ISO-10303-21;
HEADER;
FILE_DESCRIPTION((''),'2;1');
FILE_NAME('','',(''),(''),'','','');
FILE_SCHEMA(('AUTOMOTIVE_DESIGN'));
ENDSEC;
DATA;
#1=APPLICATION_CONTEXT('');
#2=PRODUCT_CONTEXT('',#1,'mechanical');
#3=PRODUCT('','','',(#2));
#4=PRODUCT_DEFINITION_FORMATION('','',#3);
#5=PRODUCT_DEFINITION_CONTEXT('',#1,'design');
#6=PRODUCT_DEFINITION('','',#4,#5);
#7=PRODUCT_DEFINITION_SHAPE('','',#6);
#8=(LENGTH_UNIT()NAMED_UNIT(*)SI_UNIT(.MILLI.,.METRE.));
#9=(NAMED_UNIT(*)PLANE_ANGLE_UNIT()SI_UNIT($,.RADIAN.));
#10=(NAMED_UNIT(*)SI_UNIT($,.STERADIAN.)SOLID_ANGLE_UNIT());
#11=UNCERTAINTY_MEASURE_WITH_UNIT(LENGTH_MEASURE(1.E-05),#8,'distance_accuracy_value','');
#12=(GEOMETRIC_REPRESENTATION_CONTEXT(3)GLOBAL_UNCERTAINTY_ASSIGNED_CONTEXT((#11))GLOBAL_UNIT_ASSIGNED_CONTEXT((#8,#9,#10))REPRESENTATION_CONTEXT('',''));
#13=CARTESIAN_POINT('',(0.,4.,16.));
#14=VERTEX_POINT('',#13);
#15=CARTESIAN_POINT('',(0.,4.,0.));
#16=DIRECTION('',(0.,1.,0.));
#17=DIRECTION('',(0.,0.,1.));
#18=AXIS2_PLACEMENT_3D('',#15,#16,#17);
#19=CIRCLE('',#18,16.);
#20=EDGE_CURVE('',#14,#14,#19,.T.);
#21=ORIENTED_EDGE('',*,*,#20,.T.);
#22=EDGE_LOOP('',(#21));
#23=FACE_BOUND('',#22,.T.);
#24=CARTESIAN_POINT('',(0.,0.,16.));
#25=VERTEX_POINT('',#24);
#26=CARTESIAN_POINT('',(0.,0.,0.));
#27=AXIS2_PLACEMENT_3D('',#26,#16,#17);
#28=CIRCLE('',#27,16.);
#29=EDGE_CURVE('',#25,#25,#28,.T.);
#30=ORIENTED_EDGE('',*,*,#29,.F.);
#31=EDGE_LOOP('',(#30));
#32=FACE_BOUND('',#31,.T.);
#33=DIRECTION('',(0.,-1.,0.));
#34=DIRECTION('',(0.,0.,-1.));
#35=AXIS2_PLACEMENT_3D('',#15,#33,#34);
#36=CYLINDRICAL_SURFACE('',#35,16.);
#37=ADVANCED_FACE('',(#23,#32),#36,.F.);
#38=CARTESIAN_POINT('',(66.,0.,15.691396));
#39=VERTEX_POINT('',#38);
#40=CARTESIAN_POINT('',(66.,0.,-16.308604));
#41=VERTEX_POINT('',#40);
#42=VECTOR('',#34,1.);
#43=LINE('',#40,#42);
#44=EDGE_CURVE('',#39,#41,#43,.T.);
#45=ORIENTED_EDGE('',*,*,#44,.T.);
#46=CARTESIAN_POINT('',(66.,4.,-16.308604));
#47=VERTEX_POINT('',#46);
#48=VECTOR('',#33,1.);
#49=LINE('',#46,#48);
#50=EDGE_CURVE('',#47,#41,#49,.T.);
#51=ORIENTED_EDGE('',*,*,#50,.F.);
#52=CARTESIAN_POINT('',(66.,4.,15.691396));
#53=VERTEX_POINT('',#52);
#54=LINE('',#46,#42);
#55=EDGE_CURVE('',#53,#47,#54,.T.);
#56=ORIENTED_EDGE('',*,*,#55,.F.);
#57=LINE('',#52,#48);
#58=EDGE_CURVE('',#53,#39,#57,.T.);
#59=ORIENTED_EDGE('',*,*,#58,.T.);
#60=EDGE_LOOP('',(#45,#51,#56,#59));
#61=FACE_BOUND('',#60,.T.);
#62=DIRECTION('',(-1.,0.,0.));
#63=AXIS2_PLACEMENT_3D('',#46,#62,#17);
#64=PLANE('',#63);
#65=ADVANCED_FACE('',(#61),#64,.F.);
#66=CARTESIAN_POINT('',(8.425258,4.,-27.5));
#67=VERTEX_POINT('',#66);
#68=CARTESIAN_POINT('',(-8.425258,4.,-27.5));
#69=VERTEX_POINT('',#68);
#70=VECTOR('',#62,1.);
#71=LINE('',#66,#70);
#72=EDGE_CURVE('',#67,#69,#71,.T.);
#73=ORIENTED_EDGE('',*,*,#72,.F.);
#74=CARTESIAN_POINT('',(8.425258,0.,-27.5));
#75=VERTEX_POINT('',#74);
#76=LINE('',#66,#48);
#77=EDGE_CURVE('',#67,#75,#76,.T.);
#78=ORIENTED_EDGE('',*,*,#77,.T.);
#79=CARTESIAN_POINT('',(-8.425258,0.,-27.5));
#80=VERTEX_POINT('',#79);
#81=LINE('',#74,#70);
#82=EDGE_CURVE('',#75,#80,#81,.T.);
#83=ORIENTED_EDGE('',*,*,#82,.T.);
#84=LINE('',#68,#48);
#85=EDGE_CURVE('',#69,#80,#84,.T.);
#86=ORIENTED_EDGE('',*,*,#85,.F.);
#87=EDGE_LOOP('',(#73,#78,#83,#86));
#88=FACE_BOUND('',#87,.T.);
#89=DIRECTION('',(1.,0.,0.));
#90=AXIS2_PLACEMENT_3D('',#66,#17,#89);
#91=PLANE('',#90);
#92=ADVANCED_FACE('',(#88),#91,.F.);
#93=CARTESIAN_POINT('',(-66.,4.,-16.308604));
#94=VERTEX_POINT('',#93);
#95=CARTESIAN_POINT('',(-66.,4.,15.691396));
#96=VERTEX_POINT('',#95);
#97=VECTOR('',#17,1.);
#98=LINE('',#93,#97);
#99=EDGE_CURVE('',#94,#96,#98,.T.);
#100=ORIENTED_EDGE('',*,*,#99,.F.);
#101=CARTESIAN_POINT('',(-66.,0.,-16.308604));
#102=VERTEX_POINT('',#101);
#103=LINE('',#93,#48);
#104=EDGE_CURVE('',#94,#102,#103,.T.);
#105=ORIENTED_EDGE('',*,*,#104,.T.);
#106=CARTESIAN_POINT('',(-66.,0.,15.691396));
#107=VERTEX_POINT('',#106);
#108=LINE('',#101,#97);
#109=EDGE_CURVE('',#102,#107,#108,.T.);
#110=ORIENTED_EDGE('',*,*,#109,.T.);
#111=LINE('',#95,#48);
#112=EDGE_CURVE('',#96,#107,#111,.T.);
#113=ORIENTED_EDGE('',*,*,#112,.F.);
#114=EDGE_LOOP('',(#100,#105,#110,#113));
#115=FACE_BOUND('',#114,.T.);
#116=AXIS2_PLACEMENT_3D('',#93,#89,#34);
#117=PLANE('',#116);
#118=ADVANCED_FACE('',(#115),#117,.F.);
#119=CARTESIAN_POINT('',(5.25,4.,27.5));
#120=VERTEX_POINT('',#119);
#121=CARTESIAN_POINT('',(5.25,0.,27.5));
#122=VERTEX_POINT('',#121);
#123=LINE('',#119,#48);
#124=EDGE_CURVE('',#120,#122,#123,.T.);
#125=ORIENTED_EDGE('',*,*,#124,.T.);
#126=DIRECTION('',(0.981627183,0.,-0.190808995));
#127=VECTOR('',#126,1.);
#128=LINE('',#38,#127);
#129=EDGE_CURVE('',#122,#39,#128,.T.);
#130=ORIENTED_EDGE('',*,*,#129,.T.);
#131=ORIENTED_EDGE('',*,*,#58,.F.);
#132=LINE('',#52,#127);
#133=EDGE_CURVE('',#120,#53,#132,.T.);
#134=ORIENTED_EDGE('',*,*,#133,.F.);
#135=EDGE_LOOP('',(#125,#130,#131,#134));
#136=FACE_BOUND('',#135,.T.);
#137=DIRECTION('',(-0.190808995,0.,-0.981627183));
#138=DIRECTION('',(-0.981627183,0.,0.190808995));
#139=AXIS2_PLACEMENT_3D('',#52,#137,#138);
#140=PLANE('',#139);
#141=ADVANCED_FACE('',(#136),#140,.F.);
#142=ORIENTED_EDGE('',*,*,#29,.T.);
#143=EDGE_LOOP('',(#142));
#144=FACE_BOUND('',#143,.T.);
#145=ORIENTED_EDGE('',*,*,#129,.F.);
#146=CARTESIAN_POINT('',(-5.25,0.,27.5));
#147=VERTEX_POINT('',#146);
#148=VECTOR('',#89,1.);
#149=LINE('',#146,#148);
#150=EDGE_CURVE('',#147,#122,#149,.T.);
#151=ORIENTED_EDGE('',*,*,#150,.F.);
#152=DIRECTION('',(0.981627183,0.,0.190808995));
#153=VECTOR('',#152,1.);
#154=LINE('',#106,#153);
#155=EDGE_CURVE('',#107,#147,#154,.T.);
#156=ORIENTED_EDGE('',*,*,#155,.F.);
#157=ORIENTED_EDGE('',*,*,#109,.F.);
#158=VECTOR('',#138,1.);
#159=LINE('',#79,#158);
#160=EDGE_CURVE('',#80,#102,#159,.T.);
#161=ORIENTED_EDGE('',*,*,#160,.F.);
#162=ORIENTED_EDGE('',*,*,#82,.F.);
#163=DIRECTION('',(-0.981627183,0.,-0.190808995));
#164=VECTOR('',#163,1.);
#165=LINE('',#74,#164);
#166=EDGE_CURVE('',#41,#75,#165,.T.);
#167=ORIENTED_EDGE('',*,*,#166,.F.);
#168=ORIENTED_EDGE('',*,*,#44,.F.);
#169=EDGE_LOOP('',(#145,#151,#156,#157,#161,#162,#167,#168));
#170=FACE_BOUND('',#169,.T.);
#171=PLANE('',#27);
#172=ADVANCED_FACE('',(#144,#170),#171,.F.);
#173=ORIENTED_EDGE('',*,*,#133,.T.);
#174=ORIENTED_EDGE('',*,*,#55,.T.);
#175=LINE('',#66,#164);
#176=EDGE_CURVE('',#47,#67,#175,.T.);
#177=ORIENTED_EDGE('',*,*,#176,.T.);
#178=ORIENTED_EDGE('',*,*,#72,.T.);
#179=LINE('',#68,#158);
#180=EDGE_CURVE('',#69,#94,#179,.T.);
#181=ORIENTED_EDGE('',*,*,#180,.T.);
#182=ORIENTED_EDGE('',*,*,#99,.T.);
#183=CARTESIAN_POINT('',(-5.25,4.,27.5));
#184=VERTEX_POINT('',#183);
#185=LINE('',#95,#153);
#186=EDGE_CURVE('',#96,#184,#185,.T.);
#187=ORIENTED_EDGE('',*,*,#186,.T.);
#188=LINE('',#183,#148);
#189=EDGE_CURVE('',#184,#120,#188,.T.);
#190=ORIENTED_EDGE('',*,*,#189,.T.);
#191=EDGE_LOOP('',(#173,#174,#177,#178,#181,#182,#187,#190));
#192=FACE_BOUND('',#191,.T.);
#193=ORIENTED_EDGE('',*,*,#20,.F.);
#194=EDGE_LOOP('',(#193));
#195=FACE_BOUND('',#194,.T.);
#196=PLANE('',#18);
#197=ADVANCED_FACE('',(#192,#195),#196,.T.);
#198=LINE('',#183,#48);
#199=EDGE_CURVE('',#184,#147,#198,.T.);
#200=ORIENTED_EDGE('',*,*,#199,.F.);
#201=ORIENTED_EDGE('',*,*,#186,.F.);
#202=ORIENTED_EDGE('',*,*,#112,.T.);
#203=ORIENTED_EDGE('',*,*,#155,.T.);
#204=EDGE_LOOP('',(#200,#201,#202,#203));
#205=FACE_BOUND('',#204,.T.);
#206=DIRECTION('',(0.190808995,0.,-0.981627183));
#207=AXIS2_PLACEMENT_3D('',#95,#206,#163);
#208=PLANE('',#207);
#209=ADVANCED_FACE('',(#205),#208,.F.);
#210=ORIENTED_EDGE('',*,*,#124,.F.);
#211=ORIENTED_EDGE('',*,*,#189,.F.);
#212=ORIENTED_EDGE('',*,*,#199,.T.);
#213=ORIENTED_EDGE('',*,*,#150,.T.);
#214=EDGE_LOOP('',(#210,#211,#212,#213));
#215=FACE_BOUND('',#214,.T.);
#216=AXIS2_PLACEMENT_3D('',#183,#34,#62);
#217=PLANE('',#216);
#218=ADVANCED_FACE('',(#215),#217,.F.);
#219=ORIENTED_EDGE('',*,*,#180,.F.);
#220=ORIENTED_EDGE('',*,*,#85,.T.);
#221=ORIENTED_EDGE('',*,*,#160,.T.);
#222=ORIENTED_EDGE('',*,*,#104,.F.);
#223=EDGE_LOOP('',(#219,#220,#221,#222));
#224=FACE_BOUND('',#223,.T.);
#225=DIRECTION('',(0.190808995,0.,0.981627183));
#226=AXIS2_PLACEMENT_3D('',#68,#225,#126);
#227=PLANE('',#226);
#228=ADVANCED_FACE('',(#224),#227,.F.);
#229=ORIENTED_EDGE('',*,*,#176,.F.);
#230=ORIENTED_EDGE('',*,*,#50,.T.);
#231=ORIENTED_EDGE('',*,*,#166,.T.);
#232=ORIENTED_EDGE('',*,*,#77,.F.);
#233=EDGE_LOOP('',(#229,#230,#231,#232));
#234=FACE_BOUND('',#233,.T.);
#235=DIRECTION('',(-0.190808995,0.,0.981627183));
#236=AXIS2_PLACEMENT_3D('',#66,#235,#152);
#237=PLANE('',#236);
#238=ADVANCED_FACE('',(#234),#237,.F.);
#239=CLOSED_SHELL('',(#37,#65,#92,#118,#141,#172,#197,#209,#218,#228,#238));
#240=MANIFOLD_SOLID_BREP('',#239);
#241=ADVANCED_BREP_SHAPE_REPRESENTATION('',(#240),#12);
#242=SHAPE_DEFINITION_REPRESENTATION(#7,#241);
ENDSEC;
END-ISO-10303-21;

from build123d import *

# Parameters (mm, degrees)
SKETCH2_R           = 16
BOSS_EXTRUDE1_DEPTH = 4


with BuildPart() as part:
    # Sketch2 → Boss-Extrude1 (new body)
    with BuildSketch(Plane(origin=(0, 0, 0), x_dir=(1, 0, 0), z_dir=(0, 1, 0))):
        Polygon((-66, 16.30860378), (-66, -15.69139622), (-5.25, -27.5), (5.25, -27.5), (66, -15.69139622), (66, 16.30860378), (8.425257633, 27.5), (-8.425257633, 27.5), align=None)
        with Locations(Location((0, 0, 0), (0, 0, 270))):
            Circle(SKETCH2_R, mode=Mode.SUBTRACT)
    extrude(amount=BOSS_EXTRUDE1_DEPTH)


solid = part.part
